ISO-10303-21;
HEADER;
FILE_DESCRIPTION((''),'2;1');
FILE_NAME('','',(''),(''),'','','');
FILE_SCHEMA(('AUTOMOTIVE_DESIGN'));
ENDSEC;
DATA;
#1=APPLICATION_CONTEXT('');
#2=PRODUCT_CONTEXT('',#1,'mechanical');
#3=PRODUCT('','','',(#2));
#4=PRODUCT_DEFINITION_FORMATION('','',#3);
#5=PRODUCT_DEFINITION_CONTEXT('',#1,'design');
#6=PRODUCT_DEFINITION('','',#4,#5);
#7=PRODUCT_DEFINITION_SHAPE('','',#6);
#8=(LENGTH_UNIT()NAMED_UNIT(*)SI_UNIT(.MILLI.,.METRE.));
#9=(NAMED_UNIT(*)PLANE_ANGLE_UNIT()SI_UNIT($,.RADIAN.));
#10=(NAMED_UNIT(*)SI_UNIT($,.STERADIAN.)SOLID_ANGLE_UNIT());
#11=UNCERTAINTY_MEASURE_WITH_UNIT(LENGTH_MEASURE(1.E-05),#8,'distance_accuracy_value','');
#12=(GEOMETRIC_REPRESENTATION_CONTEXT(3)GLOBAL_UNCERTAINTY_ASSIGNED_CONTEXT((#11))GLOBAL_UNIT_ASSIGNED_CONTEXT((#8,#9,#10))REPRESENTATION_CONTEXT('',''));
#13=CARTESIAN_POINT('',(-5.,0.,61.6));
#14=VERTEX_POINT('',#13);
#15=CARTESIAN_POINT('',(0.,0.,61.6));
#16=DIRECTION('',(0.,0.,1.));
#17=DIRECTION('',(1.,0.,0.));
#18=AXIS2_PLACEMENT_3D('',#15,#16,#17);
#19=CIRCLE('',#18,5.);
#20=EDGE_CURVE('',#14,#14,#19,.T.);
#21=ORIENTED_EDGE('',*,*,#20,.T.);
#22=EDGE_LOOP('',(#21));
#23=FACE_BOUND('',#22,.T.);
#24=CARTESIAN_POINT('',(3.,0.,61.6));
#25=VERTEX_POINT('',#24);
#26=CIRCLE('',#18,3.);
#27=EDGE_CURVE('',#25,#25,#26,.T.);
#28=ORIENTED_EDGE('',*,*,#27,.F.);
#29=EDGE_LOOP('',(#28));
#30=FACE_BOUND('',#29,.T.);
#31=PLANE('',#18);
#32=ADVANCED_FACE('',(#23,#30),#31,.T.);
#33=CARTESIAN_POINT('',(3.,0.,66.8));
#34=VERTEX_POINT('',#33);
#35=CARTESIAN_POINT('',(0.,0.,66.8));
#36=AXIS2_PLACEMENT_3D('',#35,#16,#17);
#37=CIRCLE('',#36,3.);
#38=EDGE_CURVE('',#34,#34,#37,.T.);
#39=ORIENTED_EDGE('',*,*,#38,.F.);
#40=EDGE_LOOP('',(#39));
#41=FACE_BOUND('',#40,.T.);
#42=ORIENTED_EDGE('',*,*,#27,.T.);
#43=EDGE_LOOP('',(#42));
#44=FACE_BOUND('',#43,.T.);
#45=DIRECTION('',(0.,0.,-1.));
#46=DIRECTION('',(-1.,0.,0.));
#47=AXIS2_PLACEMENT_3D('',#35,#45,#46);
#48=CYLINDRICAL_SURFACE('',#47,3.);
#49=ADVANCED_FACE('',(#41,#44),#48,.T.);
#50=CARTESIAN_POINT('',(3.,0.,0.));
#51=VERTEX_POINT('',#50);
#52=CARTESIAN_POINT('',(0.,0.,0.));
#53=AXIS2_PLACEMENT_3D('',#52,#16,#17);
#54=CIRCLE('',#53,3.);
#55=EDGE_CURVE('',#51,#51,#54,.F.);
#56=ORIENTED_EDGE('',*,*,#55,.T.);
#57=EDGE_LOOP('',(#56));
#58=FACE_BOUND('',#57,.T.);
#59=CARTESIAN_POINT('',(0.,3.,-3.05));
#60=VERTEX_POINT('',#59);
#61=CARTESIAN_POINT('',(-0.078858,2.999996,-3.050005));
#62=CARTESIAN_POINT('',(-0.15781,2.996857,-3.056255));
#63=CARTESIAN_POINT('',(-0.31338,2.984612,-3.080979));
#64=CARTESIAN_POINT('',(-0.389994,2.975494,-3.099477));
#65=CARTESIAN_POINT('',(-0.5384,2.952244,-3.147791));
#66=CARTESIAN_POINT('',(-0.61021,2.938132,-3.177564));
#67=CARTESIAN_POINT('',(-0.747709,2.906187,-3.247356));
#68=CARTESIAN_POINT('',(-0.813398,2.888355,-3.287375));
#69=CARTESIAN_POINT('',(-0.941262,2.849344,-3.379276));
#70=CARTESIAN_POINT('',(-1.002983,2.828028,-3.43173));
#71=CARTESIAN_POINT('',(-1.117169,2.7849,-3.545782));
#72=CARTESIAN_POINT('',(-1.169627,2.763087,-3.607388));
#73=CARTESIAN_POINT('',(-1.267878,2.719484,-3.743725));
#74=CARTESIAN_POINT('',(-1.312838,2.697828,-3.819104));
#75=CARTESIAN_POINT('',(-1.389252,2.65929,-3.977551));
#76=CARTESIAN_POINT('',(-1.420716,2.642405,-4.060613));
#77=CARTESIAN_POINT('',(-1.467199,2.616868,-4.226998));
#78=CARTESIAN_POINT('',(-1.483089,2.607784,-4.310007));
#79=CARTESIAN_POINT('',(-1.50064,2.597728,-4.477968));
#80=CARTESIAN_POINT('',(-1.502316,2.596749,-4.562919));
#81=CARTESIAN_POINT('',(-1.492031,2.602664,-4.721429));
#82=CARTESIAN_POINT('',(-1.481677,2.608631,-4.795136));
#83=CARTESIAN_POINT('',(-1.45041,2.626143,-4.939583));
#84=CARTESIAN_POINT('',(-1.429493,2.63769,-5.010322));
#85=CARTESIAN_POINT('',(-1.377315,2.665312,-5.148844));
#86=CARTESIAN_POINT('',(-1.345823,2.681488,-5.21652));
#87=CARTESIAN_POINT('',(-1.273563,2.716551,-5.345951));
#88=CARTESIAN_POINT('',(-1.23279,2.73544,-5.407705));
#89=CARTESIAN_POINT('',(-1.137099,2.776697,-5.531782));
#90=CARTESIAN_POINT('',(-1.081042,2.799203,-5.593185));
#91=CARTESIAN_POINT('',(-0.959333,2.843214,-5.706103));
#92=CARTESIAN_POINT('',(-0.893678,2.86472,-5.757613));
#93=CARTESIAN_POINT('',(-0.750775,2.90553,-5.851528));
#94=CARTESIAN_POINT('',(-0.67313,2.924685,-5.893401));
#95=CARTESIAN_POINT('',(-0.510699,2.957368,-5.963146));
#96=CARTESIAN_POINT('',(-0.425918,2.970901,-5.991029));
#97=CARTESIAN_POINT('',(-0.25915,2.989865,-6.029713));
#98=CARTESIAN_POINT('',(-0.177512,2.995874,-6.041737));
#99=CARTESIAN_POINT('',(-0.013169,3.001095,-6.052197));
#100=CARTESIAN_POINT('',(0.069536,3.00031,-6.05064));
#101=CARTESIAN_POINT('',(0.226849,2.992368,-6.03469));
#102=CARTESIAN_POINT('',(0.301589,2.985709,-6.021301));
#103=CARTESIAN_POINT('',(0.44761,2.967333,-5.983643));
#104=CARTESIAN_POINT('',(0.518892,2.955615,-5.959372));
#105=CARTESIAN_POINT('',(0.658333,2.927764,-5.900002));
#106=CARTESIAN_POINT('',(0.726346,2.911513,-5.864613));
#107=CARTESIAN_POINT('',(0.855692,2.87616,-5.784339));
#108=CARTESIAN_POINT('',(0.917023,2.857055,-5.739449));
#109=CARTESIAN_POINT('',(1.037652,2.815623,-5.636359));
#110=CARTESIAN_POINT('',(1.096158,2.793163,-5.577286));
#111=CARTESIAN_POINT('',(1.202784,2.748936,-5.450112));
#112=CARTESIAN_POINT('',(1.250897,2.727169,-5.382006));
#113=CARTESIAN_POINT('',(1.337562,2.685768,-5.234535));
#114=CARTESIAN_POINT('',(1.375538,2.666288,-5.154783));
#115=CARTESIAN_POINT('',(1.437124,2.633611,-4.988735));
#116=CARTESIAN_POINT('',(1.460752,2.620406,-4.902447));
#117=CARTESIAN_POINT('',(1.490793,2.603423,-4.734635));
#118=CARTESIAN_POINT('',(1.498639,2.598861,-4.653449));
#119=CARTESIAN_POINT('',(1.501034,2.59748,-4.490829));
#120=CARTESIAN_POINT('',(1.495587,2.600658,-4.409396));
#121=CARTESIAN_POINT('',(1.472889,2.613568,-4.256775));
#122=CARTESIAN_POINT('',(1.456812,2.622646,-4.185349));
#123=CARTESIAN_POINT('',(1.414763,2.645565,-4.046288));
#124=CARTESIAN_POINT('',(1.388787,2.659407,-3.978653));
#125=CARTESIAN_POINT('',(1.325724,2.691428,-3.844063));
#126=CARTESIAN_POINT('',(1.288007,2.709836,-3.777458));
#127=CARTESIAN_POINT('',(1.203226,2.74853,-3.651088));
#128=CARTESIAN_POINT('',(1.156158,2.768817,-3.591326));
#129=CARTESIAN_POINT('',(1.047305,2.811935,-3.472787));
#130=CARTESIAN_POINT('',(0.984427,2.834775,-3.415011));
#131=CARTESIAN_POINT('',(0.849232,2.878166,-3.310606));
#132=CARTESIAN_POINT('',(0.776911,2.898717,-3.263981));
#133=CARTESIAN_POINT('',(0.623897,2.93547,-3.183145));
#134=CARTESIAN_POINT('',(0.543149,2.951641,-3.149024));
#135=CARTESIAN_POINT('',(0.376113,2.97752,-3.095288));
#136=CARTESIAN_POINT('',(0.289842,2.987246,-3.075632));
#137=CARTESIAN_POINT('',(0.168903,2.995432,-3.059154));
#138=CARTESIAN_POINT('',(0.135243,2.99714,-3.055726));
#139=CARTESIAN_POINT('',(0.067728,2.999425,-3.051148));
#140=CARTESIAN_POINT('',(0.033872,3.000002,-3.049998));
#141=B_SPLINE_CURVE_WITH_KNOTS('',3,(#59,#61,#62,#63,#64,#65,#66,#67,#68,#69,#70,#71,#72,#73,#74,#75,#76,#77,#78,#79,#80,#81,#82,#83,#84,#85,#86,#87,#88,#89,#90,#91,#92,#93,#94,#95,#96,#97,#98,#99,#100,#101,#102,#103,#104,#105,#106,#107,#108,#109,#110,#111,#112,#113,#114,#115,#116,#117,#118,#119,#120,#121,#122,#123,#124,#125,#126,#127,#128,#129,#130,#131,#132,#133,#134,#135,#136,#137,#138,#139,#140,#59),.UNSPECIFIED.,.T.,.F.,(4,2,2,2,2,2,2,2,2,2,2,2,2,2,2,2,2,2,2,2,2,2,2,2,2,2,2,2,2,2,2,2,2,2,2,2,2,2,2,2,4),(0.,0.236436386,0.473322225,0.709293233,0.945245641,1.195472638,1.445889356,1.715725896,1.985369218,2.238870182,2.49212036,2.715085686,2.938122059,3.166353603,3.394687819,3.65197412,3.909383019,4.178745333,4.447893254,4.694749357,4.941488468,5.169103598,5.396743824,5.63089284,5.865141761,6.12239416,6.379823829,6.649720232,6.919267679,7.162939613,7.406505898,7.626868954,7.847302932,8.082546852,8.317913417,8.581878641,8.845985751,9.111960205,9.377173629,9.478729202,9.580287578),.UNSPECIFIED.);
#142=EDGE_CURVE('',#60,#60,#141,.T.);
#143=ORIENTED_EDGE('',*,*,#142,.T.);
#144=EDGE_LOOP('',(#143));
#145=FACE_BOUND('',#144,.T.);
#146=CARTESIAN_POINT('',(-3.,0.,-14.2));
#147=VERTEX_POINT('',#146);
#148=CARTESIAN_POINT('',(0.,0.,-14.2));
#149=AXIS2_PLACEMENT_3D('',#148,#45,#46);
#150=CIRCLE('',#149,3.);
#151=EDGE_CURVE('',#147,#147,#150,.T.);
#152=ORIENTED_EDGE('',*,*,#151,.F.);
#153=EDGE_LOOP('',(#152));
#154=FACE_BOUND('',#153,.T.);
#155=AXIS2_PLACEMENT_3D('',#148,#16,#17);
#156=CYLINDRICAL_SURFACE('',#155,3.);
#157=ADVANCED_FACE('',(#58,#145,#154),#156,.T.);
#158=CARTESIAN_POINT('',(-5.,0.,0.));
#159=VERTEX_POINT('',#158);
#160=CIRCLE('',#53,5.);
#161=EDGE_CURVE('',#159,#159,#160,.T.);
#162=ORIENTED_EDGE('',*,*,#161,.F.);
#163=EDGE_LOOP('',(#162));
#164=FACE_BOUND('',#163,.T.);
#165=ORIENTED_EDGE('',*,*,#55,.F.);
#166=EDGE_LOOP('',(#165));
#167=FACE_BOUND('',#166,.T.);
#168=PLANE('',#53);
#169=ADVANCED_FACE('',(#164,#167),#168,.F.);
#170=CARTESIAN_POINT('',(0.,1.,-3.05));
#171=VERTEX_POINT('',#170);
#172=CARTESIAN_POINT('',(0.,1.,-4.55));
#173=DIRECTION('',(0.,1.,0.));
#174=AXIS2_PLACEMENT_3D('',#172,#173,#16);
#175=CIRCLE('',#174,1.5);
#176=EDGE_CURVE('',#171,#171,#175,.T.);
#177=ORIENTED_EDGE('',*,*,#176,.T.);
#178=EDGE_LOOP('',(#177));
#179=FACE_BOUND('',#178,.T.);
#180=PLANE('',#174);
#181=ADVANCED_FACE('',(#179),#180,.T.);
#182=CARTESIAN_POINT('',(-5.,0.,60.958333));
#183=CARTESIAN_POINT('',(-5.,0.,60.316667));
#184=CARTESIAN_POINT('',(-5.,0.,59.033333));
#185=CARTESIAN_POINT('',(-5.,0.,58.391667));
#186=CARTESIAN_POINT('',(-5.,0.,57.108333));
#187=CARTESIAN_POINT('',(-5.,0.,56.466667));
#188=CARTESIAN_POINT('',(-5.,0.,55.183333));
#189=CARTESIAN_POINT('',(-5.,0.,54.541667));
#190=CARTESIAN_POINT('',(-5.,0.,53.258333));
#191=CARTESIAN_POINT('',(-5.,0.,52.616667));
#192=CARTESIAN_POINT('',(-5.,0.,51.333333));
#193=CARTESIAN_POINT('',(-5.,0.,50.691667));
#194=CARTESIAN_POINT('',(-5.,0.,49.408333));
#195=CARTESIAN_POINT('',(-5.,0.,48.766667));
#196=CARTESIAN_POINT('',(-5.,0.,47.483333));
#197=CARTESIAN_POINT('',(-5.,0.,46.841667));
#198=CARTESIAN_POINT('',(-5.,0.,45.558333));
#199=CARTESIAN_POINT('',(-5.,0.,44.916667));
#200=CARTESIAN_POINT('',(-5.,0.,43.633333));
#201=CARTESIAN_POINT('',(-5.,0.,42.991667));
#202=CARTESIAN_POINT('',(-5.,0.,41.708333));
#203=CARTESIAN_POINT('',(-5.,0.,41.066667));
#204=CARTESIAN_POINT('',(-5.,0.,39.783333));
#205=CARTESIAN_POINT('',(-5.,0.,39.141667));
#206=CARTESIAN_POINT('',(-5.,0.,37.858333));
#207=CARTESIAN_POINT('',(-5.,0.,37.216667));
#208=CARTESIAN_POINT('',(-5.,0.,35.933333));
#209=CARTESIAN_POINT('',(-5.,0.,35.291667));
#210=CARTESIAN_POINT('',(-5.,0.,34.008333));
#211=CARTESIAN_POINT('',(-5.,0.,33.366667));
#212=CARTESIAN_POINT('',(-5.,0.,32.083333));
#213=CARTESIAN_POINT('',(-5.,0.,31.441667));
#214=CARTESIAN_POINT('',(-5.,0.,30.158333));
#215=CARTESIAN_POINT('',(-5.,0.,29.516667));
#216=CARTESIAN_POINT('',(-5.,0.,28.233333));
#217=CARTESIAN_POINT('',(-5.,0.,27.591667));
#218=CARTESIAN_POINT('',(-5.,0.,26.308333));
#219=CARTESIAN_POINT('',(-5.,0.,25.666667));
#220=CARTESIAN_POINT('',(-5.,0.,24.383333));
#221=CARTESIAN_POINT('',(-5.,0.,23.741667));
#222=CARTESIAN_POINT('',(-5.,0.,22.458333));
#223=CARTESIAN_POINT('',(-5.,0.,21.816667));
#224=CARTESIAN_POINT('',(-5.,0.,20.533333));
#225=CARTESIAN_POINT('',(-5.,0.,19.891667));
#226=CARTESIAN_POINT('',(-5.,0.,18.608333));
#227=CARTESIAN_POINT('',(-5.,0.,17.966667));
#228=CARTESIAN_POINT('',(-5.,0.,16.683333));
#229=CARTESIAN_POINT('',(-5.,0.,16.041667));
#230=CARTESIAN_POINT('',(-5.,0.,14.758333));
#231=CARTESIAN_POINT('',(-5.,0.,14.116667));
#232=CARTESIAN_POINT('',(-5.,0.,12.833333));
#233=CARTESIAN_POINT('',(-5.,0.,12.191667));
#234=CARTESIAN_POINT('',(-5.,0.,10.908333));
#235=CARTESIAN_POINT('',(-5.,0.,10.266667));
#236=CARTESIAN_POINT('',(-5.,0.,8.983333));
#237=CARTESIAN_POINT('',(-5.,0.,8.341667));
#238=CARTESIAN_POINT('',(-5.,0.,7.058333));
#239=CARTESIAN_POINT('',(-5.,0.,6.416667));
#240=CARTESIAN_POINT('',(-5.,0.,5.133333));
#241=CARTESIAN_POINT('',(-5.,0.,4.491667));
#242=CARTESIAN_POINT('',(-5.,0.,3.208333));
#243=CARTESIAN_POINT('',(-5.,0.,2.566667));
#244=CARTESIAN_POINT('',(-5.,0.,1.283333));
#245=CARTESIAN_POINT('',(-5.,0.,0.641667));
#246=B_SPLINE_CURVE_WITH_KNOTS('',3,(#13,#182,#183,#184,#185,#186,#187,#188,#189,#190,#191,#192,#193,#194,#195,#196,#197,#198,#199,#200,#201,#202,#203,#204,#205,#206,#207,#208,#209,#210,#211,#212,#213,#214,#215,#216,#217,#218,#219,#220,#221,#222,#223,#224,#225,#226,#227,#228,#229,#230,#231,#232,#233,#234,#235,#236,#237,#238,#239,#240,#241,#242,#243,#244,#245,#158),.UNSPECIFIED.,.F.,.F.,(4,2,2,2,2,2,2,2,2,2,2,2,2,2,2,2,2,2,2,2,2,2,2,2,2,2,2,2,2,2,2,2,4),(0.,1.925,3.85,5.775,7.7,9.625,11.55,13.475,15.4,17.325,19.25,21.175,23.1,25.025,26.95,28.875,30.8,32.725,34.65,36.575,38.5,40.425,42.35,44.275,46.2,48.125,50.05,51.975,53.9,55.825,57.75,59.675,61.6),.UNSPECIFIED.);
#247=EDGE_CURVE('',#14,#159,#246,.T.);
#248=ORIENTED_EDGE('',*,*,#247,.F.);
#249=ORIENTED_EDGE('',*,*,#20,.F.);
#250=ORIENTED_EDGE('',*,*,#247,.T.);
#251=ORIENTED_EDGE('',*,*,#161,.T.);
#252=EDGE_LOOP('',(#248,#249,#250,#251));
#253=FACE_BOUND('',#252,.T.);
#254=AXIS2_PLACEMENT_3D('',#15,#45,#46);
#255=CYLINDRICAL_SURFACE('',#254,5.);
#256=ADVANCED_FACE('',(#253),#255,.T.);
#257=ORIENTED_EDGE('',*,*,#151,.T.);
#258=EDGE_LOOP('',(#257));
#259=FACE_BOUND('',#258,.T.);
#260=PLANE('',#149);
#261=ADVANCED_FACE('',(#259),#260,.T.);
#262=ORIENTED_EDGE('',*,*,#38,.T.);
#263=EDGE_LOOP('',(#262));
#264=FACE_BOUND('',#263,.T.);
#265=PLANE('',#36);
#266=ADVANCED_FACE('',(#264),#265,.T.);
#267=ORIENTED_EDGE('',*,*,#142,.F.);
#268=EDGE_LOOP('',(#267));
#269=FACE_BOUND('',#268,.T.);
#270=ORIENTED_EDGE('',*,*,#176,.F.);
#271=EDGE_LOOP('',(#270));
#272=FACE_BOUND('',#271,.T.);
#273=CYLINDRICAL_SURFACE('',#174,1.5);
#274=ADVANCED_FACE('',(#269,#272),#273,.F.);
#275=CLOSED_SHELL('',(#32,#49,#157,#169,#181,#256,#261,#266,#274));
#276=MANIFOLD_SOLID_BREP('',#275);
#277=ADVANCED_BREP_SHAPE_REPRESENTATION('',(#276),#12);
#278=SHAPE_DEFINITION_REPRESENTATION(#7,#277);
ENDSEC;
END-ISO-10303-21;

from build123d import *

# Parameters (mm, degrees)
SKETCH1_R      = 5
EXTRUDE1_DEPTH = 61.6
SKETCH2_R      = 3
EXTRUDE2_DEPTH = 5.2
EXTRUDE3_START = 14.2
SKETCH3_R      = 3
EXTRUDE3_DEPTH = 14.2
SKETCH5_R      = 1.5
EXTRUDE5_DEPTH = 2


with BuildPart() as part:
    # Sketch1 → Extrude1 (new body)
    with BuildSketch(Plane.XY):
        with Locations(Location((0, 0, 0), (0, 0, 180))):
            Circle(SKETCH1_R)
    extrude(amount=EXTRUDE1_DEPTH)

    # Sketch2 → Extrude2 (add)
    with BuildSketch(Plane.XY.offset(61.6)):
        Circle(SKETCH2_R)
    extrude(amount=EXTRUDE2_DEPTH)

    # Sketch3 → Extrude3 (add)
    with BuildSketch(Plane(origin=(0, 0, 0), x_dir=(-1, 0, 0), z_dir=(0, 0, -1)).offset(EXTRUDE3_START)):
        with Locations(Location((0, 0, 0), (0, 0, 180))):
            Circle(SKETCH3_R)
    extrude(amount=-EXTRUDE3_DEPTH)

    # Sketch5 → Extrude5 (cut)
    with BuildSketch(Plane(origin=(0, 3, 0), x_dir=(-1, 0, 0), z_dir=(0, 1, 0))):
        with Locations(Location((0, -4.55, 0), (0, 0, 90))):
            Circle(SKETCH5_R)
    extrude(amount=-EXTRUDE5_DEPTH, mode=Mode.SUBTRACT)


solid = part.part
